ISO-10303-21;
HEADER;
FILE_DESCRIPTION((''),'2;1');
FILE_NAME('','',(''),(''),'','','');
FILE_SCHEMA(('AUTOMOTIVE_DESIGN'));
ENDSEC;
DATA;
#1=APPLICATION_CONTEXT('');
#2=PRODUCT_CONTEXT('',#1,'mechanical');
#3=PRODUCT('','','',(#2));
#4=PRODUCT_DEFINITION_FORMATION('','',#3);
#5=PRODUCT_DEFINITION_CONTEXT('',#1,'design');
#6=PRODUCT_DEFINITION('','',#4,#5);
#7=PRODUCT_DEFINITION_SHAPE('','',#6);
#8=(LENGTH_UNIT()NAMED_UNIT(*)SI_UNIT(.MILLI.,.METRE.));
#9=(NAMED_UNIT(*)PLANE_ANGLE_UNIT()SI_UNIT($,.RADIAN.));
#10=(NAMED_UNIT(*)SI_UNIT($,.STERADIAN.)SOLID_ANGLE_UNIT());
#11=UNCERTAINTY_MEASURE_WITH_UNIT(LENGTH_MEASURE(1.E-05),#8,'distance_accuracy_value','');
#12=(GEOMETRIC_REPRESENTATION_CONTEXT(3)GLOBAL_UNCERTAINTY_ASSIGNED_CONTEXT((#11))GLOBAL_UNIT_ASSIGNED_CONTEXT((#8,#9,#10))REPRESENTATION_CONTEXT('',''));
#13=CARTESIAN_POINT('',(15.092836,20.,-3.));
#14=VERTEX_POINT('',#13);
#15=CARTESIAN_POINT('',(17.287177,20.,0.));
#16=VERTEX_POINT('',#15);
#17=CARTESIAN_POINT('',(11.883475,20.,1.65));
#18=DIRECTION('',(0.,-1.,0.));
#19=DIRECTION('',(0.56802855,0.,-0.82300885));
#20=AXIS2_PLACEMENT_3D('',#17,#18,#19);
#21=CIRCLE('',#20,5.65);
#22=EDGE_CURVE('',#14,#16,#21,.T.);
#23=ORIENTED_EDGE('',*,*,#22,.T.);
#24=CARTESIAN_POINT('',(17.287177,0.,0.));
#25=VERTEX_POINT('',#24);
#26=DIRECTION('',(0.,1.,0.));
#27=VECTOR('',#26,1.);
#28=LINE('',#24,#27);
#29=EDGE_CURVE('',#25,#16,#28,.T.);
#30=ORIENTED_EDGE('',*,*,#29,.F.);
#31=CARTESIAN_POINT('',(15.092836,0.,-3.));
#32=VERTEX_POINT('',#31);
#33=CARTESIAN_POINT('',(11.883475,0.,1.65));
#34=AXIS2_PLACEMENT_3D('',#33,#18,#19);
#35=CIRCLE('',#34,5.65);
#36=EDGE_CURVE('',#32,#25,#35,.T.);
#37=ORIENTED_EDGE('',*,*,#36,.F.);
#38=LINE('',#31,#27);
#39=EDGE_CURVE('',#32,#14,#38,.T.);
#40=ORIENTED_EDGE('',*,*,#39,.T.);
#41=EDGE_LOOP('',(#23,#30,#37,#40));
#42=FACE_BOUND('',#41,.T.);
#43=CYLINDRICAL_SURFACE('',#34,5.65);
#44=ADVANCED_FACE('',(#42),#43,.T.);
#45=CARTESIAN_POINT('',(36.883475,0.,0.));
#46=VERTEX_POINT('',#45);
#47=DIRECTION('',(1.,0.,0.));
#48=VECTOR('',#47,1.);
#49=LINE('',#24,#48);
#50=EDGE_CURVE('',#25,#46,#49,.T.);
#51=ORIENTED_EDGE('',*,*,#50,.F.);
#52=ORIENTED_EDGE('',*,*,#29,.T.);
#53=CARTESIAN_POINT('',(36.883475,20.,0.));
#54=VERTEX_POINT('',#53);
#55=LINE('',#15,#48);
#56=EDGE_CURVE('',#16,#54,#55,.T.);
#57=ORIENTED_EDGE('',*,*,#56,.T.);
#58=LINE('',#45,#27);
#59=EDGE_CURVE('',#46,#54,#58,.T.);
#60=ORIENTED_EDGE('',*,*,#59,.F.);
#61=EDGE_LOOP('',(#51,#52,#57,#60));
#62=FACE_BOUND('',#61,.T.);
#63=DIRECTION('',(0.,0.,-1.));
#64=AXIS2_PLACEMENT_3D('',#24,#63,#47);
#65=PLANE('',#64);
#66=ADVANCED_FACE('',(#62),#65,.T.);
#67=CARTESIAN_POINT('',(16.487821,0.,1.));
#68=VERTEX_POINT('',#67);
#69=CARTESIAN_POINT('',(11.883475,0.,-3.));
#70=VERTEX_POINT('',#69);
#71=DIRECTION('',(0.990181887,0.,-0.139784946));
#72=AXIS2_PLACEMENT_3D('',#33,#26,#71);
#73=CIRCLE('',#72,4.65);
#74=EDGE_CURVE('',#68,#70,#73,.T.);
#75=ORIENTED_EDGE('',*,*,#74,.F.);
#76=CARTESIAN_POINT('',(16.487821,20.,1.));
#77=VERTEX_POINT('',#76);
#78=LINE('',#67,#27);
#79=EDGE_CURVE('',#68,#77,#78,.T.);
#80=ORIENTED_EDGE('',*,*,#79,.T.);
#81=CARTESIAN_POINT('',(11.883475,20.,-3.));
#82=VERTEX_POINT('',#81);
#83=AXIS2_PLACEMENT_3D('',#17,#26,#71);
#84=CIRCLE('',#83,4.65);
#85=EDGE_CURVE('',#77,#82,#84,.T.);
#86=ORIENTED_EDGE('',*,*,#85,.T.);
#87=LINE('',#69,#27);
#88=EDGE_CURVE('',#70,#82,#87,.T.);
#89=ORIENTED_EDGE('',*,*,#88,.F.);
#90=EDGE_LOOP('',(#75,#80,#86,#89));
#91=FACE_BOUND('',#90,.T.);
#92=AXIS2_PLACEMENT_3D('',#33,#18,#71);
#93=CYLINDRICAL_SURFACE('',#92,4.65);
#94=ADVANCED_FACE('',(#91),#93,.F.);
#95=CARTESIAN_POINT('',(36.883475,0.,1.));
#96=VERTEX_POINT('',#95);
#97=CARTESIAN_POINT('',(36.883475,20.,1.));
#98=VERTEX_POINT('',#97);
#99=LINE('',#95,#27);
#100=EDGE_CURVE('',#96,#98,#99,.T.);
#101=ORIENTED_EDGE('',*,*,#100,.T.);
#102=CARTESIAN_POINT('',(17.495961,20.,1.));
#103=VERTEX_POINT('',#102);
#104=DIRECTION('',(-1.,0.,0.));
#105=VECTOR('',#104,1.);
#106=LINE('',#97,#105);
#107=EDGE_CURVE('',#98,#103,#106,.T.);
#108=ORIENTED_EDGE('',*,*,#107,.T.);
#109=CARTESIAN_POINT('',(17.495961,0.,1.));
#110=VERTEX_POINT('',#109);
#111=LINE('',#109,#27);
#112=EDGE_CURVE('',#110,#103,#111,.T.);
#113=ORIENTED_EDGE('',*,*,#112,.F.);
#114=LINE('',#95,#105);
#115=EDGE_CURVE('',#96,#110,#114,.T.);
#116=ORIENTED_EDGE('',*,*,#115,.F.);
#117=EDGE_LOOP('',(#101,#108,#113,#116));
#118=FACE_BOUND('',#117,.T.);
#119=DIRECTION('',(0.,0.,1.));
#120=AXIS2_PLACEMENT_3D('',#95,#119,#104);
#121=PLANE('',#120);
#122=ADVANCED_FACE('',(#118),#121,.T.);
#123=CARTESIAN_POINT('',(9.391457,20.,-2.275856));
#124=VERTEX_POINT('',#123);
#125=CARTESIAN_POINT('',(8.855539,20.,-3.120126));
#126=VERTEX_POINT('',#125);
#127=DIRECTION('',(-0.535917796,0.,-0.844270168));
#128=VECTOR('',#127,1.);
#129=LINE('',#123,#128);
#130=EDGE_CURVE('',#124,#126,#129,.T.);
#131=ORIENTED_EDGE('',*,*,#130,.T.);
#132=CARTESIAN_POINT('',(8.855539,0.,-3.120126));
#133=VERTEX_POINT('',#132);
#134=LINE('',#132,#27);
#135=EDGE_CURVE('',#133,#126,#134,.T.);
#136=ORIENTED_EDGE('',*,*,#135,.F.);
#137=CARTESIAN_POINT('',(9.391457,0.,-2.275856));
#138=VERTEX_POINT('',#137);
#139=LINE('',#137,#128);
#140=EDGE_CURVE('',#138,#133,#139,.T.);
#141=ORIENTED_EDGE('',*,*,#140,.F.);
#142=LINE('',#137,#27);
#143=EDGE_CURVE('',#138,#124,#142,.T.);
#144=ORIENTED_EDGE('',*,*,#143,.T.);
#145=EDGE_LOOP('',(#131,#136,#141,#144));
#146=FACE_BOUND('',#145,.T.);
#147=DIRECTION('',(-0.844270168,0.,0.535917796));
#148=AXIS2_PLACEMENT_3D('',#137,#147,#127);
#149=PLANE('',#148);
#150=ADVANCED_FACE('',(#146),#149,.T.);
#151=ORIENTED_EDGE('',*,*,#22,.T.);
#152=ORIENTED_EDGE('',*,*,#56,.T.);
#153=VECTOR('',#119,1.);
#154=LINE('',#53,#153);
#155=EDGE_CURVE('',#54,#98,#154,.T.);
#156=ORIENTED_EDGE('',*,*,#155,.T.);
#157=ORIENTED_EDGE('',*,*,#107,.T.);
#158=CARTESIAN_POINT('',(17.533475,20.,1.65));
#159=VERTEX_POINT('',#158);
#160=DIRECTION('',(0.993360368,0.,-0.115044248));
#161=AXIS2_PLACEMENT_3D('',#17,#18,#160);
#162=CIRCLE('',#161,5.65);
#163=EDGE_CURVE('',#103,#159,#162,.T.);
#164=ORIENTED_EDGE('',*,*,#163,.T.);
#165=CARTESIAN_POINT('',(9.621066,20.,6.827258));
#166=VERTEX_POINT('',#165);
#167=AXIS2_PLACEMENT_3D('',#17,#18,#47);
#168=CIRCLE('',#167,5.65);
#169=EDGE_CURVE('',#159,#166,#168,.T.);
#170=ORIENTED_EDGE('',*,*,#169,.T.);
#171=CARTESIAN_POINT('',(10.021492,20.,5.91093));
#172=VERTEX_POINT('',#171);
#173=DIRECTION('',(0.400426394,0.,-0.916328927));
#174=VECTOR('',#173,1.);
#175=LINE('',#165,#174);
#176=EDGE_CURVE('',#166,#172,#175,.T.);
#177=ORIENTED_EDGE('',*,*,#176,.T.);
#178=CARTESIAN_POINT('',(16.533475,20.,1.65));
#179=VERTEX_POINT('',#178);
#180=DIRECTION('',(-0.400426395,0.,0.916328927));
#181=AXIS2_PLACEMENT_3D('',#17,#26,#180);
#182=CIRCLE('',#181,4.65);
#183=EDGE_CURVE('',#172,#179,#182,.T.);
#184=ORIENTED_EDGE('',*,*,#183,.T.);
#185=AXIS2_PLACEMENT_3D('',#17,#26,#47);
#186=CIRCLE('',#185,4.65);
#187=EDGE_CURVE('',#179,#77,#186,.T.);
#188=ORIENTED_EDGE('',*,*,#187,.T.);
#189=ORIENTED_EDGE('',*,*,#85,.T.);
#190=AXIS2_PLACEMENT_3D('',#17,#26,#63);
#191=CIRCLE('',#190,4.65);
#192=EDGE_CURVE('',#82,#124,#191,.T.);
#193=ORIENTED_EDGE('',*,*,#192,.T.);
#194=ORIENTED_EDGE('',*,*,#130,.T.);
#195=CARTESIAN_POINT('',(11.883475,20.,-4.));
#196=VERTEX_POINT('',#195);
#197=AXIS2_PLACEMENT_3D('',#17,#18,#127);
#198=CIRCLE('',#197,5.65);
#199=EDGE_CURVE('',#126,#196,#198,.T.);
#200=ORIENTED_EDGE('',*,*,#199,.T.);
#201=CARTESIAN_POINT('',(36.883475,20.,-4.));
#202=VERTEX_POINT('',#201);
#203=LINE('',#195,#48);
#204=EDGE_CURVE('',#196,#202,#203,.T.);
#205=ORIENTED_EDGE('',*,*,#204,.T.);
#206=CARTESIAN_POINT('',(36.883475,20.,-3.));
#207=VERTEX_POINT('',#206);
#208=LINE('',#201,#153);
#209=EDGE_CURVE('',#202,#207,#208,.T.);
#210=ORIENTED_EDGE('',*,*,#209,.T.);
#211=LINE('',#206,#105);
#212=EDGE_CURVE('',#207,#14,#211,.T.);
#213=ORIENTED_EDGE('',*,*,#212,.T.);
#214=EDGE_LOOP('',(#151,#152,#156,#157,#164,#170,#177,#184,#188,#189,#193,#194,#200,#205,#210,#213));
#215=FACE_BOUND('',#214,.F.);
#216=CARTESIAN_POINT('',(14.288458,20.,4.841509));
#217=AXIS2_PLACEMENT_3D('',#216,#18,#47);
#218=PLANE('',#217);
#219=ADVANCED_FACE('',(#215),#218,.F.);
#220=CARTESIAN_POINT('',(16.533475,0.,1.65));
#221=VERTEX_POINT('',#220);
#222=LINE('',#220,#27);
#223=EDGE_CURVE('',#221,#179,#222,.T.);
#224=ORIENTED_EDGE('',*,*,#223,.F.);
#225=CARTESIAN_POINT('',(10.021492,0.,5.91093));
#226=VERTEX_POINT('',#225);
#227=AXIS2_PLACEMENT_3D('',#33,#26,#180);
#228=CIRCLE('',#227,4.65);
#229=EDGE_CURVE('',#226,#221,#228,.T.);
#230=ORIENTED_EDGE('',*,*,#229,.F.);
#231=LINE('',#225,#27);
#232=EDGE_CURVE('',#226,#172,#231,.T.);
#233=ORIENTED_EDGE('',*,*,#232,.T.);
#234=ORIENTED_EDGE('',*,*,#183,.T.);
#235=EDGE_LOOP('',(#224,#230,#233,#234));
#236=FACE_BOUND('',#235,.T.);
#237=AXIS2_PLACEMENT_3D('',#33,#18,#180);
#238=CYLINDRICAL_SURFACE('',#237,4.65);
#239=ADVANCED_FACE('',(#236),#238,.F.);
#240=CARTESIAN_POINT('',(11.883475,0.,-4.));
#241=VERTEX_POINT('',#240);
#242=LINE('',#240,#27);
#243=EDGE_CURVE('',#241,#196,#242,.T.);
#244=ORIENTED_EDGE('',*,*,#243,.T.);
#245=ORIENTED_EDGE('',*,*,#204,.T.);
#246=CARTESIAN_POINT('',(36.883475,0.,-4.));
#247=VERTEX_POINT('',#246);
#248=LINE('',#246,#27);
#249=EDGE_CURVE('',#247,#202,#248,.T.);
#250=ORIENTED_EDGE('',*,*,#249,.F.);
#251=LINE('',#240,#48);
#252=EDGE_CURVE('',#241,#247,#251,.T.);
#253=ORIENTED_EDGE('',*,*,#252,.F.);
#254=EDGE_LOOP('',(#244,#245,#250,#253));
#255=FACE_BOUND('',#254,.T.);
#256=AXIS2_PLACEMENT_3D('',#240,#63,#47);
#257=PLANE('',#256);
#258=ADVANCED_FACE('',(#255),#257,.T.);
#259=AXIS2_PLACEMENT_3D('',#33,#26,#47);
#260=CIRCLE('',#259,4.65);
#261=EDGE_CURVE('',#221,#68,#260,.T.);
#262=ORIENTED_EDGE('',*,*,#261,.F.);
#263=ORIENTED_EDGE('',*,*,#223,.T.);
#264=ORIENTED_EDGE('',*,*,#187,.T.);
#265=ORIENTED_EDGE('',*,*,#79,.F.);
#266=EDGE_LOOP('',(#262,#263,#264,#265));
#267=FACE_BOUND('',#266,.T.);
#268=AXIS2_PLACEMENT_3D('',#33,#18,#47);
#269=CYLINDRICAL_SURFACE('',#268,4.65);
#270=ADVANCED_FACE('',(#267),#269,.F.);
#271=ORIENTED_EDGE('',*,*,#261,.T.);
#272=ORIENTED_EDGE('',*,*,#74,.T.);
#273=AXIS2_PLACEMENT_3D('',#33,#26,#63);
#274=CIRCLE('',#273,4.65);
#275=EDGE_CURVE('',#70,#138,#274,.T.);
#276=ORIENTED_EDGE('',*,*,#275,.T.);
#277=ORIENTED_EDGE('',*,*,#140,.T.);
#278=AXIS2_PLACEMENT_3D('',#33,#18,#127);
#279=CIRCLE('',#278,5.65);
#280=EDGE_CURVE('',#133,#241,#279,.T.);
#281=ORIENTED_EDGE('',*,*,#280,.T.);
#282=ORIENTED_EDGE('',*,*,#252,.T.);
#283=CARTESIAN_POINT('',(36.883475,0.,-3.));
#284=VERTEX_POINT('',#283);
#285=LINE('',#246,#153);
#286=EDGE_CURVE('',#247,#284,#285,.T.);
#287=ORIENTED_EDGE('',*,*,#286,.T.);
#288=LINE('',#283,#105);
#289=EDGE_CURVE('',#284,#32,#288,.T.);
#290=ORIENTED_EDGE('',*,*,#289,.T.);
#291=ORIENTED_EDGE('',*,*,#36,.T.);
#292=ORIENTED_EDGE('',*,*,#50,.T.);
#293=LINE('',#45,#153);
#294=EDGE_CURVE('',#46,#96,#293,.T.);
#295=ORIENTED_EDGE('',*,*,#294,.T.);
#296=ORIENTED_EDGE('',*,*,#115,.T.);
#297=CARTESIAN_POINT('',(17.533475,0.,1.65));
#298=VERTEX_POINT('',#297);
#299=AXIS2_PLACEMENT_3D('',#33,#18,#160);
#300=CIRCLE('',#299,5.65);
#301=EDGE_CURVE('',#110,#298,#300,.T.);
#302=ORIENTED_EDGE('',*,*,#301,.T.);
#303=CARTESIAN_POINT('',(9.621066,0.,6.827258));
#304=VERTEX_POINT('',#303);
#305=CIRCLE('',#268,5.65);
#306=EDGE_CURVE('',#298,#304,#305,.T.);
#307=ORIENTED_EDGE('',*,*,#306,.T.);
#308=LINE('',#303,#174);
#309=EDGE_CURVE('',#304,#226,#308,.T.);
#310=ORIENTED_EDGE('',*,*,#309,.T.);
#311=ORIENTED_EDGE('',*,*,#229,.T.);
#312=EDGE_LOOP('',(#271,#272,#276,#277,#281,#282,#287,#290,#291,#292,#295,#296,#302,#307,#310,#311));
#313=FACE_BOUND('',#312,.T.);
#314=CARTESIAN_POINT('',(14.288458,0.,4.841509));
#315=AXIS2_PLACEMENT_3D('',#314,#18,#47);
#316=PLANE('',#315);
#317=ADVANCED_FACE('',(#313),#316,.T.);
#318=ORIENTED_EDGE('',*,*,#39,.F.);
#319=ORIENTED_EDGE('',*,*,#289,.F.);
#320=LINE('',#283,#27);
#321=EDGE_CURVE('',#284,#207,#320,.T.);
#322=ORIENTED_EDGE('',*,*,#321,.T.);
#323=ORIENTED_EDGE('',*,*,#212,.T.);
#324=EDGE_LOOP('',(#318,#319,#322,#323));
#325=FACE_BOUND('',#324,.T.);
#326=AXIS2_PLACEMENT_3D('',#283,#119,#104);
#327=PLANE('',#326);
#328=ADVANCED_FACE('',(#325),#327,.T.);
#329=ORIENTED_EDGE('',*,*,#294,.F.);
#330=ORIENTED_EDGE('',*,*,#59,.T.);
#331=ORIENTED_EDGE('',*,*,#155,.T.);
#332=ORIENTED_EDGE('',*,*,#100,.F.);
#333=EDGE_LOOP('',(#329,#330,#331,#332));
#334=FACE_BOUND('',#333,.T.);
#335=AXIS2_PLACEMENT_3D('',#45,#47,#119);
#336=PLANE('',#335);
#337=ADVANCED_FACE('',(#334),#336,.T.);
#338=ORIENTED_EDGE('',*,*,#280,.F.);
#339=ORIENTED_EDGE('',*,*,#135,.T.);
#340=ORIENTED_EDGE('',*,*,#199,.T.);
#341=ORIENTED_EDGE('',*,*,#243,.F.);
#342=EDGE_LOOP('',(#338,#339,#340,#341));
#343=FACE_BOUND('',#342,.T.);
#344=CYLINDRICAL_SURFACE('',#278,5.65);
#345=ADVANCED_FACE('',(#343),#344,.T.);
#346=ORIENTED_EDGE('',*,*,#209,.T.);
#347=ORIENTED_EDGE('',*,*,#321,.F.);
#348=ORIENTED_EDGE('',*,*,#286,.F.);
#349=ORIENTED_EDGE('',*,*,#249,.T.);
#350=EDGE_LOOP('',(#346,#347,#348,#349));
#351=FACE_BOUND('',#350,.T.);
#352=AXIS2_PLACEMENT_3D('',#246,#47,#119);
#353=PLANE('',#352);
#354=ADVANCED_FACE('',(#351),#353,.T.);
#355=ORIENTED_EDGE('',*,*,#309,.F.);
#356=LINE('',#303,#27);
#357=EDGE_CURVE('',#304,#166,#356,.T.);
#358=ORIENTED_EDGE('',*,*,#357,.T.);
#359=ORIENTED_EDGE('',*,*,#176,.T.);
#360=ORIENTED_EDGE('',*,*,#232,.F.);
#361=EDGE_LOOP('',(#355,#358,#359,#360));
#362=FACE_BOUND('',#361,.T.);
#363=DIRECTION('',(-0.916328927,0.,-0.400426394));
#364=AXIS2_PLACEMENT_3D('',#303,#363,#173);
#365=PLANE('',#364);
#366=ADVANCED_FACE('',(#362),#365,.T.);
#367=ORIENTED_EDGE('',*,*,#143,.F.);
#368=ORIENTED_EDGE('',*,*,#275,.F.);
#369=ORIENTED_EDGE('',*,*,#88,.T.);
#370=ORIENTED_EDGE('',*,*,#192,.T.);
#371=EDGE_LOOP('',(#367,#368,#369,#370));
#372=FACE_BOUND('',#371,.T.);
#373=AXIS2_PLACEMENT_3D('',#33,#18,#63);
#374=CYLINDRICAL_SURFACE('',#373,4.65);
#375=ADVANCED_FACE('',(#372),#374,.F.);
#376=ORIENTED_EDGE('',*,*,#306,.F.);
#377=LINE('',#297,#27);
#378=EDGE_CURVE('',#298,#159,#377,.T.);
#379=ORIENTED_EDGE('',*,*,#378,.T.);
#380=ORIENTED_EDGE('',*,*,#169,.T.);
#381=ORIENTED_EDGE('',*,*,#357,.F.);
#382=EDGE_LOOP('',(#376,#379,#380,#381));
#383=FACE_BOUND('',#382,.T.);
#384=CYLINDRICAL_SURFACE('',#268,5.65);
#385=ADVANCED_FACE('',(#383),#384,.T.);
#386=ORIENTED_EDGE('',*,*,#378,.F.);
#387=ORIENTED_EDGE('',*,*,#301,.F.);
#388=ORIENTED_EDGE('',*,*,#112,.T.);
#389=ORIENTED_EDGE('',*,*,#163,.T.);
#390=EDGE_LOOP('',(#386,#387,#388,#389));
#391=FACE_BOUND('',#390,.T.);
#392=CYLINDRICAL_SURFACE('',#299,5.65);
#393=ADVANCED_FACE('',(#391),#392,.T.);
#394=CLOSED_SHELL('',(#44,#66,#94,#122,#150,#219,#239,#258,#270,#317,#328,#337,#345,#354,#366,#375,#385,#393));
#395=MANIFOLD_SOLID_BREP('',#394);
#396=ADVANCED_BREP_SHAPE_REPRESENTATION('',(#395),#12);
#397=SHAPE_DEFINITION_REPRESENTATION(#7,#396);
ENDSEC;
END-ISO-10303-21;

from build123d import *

# Parameters (mm, degrees)
F1_DEPTH = 20


with BuildPart() as f1:
    # F0 (on Front) → F1 (new body)
    with BuildSketch(Plane.XZ):
        with BuildLine():
            ThreePointArc((16.533474996, 1.65), (16.5220473974, 1.3241993292), (16.4878207693, 1))
            Line((16.4878207693, 1), (17.4959610761, 1))
            ThreePointArc((17.4959610761, 1), (17.5240887194, 1.324459183), (17.533474996, 1.65))
            ThreePointArc((17.533474996, 1.65), (14.9770076386, 6.37784896), (9.6210658671, 6.827258438))
            Line((9.6210658671, 6.827258438), (10.0214922616, 5.9109295109))
            ThreePointArc((10.0214922616, 5.9109295109), (14.4294797373, 5.5410615335), (16.533474996, 1.65))
        make_face()
        with BuildLine():
            ThreePointArc((16.4878207693, 1), (14.9330651324, -1.8603418637), (11.883474996, -3))
            Line((11.883474996, -3), (15.0928363032, -3))
            ThreePointArc((15.0928363032, -3), (16.4437619118, -1.6856083771), (17.2871774304, 0))
            Line((17.2871774304, 0), (16.4878207693, 0))
            Line((16.4878207693, 0), (16.4878207693, 1))
        make_face()
        with BuildLine():
            Line((17.4959610761, 1), (16.4878207693, 1))
            Line((16.4878207693, 1), (16.4878207693, 0))
            Line((16.4878207693, 0), (17.2871774304, 0))
            ThreePointArc((17.2871774304, 0), (17.414216569, 0.4952716109), (17.4959610761, 1))
        make_face()
        with BuildLine():
            Line((36.883474996, 1), (17.4959610761, 1))
            ThreePointArc((17.4959610761, 1), (17.414216569, 0.4952716109), (17.2871774304, 0))
            Line((17.2871774304, 0), (36.883474996, 0))
            Line((36.883474996, 0), (36.883474996, 1))
        make_face()
        with BuildLine():
            Line((36.883474996, -3), (15.0928363032, -3))
            ThreePointArc((15.0928363032, -3), (13.5642486274, -3.7442098587), (11.883474996, -4))
            Line((11.883474996, -4), (36.883474996, -4))
            Line((36.883474996, -4), (36.883474996, -3))
        make_face()
        with BuildLine():
            Line((15.0928363032, -3), (11.883474996, -3))
            Line((11.883474996, -3), (11.883474996, -4))
            ThreePointArc((11.883474996, -4), (13.5642486274, -3.7442098587), (15.0928363032, -3))
        make_face()
        with BuildLine():
            Line((11.883474996, -4), (11.883474996, -3))
            ThreePointArc((11.883474996, -3), (10.5859257097, -2.8152957181), (9.3914572446, -2.2758562794))
            Line((9.3914572446, -2.2758562794), (8.8555394486, -3.1201264471))
            ThreePointArc((8.8555394486, -3.1201264471), (10.3068828525, -3.7755743671), (11.883474996, -4))
        make_face()
    extrude(amount=-F1_DEPTH)


solid = f1.part
